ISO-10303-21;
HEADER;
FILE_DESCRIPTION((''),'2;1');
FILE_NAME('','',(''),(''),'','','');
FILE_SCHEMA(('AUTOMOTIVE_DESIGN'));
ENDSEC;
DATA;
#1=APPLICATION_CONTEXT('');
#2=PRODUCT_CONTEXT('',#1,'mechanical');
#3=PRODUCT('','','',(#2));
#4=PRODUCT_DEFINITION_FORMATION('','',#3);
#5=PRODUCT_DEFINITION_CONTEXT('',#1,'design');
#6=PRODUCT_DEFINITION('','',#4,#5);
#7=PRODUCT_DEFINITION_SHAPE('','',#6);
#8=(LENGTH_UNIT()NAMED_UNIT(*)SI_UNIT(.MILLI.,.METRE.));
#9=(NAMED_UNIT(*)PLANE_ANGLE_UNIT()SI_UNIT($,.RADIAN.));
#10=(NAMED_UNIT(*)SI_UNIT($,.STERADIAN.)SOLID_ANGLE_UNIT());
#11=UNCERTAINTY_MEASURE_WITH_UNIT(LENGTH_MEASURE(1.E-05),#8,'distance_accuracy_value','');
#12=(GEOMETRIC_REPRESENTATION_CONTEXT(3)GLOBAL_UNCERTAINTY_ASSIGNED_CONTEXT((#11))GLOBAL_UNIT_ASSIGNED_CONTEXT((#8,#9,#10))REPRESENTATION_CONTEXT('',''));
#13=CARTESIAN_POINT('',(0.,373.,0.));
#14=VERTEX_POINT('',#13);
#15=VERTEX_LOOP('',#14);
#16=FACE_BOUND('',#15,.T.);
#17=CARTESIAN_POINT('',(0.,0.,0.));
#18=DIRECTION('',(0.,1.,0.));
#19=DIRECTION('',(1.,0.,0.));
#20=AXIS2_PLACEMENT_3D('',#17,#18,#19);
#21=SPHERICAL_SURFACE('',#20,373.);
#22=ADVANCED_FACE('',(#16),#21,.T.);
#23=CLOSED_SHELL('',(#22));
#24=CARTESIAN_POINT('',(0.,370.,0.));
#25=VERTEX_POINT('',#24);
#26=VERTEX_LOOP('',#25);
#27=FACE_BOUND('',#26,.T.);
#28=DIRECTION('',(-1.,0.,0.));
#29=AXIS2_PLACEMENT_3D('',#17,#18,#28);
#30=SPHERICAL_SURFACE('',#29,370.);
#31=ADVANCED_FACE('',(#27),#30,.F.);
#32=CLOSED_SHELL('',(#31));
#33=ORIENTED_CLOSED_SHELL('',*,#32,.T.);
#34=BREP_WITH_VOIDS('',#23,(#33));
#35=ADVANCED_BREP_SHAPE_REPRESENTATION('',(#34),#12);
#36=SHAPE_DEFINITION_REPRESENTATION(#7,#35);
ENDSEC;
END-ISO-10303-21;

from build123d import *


with BuildPart() as part:
    # Sketch1 → Revolve1 (revolve)
    with BuildSketch(Plane.XY):
        with BuildLine():
            Line((0, 373), (0, 370))
            ThreePointArc((0, 370), (-370, 0), (0, -370))
            Line((0, -370), (0, -373))
            ThreePointArc((0, -373), (-373, 0), (0, 373))
        make_face()
    revolve(axis=Axis((0, -370, 0), (0, -1, 0)))


solid = part.part
